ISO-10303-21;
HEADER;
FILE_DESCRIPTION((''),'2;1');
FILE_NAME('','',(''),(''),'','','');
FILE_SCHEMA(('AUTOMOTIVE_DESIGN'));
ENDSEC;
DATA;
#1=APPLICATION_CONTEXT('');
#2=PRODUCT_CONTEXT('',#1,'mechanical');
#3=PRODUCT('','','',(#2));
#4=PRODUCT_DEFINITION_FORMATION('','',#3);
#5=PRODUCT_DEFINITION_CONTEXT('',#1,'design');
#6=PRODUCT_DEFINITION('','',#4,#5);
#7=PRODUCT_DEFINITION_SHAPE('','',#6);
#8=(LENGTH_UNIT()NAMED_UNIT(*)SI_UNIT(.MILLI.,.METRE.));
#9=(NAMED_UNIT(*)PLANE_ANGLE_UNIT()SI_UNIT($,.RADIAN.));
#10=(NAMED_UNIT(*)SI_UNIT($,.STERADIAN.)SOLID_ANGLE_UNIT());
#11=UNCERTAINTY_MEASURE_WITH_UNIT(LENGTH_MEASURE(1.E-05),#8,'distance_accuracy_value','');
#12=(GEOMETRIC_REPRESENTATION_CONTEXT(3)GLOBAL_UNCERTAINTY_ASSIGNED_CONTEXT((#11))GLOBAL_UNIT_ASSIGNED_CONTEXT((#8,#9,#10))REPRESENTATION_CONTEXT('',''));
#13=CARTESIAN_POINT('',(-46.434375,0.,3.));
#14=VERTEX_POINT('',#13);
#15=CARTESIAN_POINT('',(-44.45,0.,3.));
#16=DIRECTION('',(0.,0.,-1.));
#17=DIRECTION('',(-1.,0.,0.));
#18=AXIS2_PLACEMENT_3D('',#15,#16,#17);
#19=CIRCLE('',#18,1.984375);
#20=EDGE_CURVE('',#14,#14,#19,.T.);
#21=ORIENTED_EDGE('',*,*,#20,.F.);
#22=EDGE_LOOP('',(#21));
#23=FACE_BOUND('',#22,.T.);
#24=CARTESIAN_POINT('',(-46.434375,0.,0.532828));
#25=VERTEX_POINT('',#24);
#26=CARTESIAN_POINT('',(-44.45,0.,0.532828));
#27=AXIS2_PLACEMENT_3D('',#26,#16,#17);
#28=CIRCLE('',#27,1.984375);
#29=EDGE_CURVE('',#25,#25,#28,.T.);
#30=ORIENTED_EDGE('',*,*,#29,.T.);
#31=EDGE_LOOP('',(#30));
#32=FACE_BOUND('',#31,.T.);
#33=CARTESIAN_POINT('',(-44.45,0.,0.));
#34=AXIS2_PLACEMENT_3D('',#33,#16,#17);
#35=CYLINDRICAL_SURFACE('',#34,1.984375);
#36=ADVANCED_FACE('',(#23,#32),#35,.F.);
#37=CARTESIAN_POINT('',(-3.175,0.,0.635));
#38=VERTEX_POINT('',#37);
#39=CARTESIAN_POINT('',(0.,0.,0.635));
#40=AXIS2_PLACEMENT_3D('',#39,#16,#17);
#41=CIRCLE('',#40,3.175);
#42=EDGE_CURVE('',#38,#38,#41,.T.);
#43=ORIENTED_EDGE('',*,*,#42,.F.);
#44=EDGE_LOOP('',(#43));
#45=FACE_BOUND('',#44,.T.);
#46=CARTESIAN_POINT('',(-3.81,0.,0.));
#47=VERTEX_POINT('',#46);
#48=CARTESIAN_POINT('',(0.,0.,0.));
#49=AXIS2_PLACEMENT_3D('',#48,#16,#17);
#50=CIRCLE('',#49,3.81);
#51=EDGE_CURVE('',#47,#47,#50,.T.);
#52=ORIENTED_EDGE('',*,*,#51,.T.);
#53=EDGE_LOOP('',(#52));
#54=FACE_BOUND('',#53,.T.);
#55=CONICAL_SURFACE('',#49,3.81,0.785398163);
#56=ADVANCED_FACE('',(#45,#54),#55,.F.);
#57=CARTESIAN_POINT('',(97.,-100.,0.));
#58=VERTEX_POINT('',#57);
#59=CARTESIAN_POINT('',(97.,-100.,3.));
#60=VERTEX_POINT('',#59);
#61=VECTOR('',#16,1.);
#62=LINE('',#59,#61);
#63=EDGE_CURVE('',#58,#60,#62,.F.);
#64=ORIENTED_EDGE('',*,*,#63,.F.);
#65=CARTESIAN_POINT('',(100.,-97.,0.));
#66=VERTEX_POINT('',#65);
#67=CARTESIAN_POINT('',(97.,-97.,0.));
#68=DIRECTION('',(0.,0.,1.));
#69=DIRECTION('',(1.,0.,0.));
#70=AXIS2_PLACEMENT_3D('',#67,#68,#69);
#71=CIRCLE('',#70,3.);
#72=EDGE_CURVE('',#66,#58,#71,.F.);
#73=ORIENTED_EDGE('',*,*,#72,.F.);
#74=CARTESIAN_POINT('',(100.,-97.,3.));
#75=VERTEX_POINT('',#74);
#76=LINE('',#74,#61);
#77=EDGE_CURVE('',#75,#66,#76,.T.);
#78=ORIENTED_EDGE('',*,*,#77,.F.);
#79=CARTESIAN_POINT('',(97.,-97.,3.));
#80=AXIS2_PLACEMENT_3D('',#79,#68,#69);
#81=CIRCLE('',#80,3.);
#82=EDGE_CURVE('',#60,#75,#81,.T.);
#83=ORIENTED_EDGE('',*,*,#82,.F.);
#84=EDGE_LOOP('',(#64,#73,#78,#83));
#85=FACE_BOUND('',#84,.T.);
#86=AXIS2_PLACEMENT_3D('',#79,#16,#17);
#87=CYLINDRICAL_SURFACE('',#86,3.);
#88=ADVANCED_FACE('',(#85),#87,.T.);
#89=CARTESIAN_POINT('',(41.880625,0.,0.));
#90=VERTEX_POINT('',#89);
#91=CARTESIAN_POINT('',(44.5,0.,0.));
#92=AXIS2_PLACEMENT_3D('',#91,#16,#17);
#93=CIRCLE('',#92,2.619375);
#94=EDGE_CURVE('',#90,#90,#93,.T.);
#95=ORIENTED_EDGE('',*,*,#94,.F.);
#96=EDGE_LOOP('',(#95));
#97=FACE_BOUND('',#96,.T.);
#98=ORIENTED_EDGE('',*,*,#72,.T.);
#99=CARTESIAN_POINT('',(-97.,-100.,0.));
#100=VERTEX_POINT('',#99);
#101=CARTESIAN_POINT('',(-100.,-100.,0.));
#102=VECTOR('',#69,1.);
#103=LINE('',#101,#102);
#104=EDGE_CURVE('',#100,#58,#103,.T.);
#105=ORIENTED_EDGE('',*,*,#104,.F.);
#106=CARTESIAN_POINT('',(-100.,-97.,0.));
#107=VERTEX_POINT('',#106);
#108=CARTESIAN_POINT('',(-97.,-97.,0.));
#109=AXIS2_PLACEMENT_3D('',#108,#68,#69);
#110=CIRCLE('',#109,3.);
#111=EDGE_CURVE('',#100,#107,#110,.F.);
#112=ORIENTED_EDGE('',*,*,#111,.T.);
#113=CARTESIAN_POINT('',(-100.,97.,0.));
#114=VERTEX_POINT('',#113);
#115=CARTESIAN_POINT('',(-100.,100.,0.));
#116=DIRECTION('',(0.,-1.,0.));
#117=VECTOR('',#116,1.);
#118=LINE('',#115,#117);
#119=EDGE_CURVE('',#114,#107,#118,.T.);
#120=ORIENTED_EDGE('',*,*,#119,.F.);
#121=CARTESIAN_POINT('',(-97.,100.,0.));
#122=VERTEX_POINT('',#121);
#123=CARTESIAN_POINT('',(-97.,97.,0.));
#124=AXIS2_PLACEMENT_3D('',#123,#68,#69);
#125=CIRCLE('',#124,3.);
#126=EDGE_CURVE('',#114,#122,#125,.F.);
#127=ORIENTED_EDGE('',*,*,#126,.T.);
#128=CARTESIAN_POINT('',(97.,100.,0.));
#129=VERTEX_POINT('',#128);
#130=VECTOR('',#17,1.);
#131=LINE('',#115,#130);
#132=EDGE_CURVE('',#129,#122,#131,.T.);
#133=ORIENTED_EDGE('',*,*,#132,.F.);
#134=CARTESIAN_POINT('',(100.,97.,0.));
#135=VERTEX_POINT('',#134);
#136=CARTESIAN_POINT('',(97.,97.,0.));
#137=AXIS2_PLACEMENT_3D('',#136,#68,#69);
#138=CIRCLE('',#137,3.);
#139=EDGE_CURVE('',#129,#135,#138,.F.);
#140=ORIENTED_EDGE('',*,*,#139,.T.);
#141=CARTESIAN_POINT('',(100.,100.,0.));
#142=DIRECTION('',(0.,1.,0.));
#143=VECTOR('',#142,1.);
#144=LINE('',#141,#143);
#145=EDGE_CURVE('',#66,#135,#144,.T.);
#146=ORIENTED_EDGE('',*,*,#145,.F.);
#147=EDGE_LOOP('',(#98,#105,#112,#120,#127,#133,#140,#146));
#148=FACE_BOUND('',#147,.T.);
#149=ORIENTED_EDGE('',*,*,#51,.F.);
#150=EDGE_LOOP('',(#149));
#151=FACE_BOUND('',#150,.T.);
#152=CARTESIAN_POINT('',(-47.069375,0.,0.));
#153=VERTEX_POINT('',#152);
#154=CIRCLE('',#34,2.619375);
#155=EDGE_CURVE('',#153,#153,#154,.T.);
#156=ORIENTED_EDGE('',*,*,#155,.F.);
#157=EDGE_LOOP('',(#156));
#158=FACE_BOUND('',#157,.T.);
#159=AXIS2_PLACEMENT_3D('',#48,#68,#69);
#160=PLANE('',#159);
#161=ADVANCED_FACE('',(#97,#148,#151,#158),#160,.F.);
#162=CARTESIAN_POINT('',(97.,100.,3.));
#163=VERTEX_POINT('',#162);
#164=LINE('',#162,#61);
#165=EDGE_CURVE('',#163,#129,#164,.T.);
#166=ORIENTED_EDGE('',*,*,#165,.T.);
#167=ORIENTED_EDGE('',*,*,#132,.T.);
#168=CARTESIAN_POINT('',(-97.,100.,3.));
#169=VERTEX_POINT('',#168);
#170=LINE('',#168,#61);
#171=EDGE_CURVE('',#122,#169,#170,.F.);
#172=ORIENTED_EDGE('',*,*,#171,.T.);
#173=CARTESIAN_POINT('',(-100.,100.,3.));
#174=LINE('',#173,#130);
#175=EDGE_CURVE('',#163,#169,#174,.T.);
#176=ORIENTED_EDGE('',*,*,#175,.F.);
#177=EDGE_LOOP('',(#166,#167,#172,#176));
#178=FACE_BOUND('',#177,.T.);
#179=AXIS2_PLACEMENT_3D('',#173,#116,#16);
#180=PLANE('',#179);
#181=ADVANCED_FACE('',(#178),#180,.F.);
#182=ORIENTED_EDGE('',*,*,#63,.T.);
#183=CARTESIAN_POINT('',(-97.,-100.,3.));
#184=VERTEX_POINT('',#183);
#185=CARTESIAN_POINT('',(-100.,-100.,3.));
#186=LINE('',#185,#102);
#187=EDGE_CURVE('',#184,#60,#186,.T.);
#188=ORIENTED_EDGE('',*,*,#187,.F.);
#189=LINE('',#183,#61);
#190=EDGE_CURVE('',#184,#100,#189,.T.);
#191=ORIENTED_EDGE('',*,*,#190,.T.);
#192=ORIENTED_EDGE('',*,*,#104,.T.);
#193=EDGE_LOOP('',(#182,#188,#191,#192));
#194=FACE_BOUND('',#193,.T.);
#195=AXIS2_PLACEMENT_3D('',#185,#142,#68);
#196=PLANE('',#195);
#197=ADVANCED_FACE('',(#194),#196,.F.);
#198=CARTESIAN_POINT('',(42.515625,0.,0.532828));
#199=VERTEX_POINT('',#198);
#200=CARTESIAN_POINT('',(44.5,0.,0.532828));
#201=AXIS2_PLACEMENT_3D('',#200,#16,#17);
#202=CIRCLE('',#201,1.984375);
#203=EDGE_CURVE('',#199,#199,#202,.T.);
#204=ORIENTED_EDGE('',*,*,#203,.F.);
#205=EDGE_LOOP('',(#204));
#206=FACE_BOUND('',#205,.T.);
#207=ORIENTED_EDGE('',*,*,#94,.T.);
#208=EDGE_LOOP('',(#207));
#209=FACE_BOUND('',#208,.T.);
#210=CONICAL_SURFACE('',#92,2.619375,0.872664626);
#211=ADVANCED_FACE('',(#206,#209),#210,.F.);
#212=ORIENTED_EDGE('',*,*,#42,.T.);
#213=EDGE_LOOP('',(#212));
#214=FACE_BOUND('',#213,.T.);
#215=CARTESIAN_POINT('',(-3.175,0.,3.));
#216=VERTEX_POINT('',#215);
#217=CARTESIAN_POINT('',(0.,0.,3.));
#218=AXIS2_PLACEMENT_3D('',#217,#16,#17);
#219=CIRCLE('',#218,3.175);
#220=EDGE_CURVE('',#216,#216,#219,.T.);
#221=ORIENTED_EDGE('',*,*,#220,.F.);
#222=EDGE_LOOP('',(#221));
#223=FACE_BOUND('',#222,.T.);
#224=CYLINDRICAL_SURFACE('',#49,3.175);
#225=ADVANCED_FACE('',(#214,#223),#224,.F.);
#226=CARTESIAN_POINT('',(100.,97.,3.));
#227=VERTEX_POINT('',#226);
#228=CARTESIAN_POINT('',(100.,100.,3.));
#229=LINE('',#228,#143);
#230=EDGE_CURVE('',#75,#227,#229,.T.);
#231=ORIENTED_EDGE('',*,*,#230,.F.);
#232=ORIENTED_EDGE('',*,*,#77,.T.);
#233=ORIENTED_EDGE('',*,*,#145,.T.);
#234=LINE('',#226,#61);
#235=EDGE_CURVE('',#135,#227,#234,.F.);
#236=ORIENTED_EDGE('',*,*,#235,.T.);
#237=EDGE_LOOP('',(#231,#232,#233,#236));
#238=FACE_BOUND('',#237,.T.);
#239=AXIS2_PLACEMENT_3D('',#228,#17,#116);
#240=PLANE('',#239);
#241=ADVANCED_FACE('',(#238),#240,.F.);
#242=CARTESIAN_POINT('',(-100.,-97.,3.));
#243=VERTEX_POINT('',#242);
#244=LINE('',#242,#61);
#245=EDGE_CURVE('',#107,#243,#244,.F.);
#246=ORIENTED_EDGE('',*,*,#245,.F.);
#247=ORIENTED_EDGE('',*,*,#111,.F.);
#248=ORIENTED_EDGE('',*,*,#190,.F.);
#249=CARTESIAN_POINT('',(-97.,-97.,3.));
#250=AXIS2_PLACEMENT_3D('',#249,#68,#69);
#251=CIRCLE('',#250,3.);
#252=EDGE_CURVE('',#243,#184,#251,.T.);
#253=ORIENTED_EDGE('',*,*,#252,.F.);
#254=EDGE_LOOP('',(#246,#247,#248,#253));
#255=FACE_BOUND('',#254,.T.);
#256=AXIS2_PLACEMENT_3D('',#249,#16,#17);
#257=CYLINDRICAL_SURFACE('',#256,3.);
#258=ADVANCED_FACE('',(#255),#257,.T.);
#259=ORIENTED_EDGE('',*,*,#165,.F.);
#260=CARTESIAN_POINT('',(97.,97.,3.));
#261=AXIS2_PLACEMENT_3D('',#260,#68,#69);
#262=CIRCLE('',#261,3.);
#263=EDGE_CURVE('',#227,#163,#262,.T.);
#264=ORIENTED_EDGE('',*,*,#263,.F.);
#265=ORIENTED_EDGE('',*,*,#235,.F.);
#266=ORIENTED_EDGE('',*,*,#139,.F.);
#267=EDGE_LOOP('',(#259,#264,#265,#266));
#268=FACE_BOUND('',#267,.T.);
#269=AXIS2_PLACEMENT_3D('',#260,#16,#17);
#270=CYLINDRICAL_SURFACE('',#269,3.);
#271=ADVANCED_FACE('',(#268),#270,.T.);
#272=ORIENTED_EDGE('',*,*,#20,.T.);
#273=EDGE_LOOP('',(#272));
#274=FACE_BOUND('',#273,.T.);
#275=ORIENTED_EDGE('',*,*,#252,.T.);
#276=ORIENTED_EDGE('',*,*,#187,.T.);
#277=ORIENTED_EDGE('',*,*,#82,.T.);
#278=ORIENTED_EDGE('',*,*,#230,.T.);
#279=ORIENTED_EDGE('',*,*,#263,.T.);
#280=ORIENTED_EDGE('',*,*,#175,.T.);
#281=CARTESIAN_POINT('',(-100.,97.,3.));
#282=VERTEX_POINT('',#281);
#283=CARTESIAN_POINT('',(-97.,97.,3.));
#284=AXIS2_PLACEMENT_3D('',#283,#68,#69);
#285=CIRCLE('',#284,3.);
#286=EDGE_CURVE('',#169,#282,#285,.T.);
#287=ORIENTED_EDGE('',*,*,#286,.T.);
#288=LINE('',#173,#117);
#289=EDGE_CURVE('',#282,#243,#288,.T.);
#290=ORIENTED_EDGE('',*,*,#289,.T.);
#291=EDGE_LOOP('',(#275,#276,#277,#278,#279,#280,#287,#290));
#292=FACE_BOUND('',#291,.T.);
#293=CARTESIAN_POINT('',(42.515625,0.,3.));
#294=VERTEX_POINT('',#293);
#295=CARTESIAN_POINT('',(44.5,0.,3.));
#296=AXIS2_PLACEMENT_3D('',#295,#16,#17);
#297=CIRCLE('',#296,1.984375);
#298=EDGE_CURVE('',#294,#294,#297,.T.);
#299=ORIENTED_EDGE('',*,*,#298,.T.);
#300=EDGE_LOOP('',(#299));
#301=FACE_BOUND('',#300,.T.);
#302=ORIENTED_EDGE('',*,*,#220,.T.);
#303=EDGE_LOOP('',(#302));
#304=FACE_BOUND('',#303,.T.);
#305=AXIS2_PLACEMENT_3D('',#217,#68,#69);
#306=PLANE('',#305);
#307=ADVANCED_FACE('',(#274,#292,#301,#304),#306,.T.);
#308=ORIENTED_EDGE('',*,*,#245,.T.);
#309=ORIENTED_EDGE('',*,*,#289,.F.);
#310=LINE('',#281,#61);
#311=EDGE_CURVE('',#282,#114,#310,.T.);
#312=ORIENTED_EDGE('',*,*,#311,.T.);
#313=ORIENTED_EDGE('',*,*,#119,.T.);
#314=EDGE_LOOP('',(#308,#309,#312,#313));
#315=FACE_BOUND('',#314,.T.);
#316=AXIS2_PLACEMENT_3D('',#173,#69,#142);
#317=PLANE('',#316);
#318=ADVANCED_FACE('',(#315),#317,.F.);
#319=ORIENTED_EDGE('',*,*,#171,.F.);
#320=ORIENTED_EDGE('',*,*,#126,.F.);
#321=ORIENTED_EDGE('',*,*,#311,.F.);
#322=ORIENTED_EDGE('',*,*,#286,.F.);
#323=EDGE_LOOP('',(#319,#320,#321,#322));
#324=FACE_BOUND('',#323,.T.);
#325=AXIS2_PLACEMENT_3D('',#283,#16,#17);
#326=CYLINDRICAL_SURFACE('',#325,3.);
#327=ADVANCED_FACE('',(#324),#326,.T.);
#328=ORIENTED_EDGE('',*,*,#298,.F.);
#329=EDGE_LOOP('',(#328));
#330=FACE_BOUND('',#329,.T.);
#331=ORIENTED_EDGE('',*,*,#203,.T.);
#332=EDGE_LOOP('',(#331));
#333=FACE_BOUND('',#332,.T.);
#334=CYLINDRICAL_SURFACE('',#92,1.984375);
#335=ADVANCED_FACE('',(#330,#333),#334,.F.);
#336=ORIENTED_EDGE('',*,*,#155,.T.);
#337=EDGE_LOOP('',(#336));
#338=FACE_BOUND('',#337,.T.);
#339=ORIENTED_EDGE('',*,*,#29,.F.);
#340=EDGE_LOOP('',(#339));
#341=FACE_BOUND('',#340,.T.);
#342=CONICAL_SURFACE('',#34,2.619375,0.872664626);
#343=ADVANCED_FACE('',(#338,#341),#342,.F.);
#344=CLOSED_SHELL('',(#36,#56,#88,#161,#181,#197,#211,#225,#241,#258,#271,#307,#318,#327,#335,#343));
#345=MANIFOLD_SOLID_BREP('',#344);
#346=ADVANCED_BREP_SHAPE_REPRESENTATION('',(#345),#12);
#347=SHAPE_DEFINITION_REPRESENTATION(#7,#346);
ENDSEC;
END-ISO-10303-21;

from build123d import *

# Parameters (mm, degrees)
BASEPLATE_W                   = 200
BASEPLATE_H                   = 200
BOSS_EXTRUDE1_DEPTH           = 3
FILLET1_R                     = 3
F_5_32_DOWEL_HOLE_D           = 3.96875
F_5_32_DOWEL_HOLE_CSINK_D     = 5.23875
F_5_32_DOWEL_HOLE_CSINK_ANGLE = 100


with BuildPart() as part:
    # Baseplate → Boss-Extrude1 (new body)
    with BuildSketch(Plane.XY):
        Rectangle(BASEPLATE_W, BASEPLATE_H)
    extrude(amount=BOSS_EXTRUDE1_DEPTH)

    # Fillet1
    fillet1_edges = [part.edges().sort_by_distance(p)[0] for p in [
        (100, -100, 1.5),
        (-100, -100, 1.5),
        (-100, 100, 1.5),
        (100, 100, 1.5),
    ]]
    fillet(fillet1_edges, radius=FILLET1_R)

    # Sketch8 → 1/4 Inch Bolt Hole (revolve, cut)
    with BuildSketch(Plane.YZ):
        Polygon((0, 0), (0, 3), (3.175, 3), (3.175, 0.635), (3.81, 0), align=None)
    revolve(axis=Axis((0, 0, -6.35), (0, 0, 1)), mode=Mode.SUBTRACT)

    # 5/32 Dowel Hole (through all)
    with Locations(Plane(origin=(0, 0, 0), x_dir=(-1, 0, 0), z_dir=(0, 0, -1))):
        with Locations((-44.5, 0), (44.45, 0)):
            CounterSinkHole(F_5_32_DOWEL_HOLE_D / 2, F_5_32_DOWEL_HOLE_CSINK_D / 2, counter_sink_angle=F_5_32_DOWEL_HOLE_CSINK_ANGLE)


solid = part.part
